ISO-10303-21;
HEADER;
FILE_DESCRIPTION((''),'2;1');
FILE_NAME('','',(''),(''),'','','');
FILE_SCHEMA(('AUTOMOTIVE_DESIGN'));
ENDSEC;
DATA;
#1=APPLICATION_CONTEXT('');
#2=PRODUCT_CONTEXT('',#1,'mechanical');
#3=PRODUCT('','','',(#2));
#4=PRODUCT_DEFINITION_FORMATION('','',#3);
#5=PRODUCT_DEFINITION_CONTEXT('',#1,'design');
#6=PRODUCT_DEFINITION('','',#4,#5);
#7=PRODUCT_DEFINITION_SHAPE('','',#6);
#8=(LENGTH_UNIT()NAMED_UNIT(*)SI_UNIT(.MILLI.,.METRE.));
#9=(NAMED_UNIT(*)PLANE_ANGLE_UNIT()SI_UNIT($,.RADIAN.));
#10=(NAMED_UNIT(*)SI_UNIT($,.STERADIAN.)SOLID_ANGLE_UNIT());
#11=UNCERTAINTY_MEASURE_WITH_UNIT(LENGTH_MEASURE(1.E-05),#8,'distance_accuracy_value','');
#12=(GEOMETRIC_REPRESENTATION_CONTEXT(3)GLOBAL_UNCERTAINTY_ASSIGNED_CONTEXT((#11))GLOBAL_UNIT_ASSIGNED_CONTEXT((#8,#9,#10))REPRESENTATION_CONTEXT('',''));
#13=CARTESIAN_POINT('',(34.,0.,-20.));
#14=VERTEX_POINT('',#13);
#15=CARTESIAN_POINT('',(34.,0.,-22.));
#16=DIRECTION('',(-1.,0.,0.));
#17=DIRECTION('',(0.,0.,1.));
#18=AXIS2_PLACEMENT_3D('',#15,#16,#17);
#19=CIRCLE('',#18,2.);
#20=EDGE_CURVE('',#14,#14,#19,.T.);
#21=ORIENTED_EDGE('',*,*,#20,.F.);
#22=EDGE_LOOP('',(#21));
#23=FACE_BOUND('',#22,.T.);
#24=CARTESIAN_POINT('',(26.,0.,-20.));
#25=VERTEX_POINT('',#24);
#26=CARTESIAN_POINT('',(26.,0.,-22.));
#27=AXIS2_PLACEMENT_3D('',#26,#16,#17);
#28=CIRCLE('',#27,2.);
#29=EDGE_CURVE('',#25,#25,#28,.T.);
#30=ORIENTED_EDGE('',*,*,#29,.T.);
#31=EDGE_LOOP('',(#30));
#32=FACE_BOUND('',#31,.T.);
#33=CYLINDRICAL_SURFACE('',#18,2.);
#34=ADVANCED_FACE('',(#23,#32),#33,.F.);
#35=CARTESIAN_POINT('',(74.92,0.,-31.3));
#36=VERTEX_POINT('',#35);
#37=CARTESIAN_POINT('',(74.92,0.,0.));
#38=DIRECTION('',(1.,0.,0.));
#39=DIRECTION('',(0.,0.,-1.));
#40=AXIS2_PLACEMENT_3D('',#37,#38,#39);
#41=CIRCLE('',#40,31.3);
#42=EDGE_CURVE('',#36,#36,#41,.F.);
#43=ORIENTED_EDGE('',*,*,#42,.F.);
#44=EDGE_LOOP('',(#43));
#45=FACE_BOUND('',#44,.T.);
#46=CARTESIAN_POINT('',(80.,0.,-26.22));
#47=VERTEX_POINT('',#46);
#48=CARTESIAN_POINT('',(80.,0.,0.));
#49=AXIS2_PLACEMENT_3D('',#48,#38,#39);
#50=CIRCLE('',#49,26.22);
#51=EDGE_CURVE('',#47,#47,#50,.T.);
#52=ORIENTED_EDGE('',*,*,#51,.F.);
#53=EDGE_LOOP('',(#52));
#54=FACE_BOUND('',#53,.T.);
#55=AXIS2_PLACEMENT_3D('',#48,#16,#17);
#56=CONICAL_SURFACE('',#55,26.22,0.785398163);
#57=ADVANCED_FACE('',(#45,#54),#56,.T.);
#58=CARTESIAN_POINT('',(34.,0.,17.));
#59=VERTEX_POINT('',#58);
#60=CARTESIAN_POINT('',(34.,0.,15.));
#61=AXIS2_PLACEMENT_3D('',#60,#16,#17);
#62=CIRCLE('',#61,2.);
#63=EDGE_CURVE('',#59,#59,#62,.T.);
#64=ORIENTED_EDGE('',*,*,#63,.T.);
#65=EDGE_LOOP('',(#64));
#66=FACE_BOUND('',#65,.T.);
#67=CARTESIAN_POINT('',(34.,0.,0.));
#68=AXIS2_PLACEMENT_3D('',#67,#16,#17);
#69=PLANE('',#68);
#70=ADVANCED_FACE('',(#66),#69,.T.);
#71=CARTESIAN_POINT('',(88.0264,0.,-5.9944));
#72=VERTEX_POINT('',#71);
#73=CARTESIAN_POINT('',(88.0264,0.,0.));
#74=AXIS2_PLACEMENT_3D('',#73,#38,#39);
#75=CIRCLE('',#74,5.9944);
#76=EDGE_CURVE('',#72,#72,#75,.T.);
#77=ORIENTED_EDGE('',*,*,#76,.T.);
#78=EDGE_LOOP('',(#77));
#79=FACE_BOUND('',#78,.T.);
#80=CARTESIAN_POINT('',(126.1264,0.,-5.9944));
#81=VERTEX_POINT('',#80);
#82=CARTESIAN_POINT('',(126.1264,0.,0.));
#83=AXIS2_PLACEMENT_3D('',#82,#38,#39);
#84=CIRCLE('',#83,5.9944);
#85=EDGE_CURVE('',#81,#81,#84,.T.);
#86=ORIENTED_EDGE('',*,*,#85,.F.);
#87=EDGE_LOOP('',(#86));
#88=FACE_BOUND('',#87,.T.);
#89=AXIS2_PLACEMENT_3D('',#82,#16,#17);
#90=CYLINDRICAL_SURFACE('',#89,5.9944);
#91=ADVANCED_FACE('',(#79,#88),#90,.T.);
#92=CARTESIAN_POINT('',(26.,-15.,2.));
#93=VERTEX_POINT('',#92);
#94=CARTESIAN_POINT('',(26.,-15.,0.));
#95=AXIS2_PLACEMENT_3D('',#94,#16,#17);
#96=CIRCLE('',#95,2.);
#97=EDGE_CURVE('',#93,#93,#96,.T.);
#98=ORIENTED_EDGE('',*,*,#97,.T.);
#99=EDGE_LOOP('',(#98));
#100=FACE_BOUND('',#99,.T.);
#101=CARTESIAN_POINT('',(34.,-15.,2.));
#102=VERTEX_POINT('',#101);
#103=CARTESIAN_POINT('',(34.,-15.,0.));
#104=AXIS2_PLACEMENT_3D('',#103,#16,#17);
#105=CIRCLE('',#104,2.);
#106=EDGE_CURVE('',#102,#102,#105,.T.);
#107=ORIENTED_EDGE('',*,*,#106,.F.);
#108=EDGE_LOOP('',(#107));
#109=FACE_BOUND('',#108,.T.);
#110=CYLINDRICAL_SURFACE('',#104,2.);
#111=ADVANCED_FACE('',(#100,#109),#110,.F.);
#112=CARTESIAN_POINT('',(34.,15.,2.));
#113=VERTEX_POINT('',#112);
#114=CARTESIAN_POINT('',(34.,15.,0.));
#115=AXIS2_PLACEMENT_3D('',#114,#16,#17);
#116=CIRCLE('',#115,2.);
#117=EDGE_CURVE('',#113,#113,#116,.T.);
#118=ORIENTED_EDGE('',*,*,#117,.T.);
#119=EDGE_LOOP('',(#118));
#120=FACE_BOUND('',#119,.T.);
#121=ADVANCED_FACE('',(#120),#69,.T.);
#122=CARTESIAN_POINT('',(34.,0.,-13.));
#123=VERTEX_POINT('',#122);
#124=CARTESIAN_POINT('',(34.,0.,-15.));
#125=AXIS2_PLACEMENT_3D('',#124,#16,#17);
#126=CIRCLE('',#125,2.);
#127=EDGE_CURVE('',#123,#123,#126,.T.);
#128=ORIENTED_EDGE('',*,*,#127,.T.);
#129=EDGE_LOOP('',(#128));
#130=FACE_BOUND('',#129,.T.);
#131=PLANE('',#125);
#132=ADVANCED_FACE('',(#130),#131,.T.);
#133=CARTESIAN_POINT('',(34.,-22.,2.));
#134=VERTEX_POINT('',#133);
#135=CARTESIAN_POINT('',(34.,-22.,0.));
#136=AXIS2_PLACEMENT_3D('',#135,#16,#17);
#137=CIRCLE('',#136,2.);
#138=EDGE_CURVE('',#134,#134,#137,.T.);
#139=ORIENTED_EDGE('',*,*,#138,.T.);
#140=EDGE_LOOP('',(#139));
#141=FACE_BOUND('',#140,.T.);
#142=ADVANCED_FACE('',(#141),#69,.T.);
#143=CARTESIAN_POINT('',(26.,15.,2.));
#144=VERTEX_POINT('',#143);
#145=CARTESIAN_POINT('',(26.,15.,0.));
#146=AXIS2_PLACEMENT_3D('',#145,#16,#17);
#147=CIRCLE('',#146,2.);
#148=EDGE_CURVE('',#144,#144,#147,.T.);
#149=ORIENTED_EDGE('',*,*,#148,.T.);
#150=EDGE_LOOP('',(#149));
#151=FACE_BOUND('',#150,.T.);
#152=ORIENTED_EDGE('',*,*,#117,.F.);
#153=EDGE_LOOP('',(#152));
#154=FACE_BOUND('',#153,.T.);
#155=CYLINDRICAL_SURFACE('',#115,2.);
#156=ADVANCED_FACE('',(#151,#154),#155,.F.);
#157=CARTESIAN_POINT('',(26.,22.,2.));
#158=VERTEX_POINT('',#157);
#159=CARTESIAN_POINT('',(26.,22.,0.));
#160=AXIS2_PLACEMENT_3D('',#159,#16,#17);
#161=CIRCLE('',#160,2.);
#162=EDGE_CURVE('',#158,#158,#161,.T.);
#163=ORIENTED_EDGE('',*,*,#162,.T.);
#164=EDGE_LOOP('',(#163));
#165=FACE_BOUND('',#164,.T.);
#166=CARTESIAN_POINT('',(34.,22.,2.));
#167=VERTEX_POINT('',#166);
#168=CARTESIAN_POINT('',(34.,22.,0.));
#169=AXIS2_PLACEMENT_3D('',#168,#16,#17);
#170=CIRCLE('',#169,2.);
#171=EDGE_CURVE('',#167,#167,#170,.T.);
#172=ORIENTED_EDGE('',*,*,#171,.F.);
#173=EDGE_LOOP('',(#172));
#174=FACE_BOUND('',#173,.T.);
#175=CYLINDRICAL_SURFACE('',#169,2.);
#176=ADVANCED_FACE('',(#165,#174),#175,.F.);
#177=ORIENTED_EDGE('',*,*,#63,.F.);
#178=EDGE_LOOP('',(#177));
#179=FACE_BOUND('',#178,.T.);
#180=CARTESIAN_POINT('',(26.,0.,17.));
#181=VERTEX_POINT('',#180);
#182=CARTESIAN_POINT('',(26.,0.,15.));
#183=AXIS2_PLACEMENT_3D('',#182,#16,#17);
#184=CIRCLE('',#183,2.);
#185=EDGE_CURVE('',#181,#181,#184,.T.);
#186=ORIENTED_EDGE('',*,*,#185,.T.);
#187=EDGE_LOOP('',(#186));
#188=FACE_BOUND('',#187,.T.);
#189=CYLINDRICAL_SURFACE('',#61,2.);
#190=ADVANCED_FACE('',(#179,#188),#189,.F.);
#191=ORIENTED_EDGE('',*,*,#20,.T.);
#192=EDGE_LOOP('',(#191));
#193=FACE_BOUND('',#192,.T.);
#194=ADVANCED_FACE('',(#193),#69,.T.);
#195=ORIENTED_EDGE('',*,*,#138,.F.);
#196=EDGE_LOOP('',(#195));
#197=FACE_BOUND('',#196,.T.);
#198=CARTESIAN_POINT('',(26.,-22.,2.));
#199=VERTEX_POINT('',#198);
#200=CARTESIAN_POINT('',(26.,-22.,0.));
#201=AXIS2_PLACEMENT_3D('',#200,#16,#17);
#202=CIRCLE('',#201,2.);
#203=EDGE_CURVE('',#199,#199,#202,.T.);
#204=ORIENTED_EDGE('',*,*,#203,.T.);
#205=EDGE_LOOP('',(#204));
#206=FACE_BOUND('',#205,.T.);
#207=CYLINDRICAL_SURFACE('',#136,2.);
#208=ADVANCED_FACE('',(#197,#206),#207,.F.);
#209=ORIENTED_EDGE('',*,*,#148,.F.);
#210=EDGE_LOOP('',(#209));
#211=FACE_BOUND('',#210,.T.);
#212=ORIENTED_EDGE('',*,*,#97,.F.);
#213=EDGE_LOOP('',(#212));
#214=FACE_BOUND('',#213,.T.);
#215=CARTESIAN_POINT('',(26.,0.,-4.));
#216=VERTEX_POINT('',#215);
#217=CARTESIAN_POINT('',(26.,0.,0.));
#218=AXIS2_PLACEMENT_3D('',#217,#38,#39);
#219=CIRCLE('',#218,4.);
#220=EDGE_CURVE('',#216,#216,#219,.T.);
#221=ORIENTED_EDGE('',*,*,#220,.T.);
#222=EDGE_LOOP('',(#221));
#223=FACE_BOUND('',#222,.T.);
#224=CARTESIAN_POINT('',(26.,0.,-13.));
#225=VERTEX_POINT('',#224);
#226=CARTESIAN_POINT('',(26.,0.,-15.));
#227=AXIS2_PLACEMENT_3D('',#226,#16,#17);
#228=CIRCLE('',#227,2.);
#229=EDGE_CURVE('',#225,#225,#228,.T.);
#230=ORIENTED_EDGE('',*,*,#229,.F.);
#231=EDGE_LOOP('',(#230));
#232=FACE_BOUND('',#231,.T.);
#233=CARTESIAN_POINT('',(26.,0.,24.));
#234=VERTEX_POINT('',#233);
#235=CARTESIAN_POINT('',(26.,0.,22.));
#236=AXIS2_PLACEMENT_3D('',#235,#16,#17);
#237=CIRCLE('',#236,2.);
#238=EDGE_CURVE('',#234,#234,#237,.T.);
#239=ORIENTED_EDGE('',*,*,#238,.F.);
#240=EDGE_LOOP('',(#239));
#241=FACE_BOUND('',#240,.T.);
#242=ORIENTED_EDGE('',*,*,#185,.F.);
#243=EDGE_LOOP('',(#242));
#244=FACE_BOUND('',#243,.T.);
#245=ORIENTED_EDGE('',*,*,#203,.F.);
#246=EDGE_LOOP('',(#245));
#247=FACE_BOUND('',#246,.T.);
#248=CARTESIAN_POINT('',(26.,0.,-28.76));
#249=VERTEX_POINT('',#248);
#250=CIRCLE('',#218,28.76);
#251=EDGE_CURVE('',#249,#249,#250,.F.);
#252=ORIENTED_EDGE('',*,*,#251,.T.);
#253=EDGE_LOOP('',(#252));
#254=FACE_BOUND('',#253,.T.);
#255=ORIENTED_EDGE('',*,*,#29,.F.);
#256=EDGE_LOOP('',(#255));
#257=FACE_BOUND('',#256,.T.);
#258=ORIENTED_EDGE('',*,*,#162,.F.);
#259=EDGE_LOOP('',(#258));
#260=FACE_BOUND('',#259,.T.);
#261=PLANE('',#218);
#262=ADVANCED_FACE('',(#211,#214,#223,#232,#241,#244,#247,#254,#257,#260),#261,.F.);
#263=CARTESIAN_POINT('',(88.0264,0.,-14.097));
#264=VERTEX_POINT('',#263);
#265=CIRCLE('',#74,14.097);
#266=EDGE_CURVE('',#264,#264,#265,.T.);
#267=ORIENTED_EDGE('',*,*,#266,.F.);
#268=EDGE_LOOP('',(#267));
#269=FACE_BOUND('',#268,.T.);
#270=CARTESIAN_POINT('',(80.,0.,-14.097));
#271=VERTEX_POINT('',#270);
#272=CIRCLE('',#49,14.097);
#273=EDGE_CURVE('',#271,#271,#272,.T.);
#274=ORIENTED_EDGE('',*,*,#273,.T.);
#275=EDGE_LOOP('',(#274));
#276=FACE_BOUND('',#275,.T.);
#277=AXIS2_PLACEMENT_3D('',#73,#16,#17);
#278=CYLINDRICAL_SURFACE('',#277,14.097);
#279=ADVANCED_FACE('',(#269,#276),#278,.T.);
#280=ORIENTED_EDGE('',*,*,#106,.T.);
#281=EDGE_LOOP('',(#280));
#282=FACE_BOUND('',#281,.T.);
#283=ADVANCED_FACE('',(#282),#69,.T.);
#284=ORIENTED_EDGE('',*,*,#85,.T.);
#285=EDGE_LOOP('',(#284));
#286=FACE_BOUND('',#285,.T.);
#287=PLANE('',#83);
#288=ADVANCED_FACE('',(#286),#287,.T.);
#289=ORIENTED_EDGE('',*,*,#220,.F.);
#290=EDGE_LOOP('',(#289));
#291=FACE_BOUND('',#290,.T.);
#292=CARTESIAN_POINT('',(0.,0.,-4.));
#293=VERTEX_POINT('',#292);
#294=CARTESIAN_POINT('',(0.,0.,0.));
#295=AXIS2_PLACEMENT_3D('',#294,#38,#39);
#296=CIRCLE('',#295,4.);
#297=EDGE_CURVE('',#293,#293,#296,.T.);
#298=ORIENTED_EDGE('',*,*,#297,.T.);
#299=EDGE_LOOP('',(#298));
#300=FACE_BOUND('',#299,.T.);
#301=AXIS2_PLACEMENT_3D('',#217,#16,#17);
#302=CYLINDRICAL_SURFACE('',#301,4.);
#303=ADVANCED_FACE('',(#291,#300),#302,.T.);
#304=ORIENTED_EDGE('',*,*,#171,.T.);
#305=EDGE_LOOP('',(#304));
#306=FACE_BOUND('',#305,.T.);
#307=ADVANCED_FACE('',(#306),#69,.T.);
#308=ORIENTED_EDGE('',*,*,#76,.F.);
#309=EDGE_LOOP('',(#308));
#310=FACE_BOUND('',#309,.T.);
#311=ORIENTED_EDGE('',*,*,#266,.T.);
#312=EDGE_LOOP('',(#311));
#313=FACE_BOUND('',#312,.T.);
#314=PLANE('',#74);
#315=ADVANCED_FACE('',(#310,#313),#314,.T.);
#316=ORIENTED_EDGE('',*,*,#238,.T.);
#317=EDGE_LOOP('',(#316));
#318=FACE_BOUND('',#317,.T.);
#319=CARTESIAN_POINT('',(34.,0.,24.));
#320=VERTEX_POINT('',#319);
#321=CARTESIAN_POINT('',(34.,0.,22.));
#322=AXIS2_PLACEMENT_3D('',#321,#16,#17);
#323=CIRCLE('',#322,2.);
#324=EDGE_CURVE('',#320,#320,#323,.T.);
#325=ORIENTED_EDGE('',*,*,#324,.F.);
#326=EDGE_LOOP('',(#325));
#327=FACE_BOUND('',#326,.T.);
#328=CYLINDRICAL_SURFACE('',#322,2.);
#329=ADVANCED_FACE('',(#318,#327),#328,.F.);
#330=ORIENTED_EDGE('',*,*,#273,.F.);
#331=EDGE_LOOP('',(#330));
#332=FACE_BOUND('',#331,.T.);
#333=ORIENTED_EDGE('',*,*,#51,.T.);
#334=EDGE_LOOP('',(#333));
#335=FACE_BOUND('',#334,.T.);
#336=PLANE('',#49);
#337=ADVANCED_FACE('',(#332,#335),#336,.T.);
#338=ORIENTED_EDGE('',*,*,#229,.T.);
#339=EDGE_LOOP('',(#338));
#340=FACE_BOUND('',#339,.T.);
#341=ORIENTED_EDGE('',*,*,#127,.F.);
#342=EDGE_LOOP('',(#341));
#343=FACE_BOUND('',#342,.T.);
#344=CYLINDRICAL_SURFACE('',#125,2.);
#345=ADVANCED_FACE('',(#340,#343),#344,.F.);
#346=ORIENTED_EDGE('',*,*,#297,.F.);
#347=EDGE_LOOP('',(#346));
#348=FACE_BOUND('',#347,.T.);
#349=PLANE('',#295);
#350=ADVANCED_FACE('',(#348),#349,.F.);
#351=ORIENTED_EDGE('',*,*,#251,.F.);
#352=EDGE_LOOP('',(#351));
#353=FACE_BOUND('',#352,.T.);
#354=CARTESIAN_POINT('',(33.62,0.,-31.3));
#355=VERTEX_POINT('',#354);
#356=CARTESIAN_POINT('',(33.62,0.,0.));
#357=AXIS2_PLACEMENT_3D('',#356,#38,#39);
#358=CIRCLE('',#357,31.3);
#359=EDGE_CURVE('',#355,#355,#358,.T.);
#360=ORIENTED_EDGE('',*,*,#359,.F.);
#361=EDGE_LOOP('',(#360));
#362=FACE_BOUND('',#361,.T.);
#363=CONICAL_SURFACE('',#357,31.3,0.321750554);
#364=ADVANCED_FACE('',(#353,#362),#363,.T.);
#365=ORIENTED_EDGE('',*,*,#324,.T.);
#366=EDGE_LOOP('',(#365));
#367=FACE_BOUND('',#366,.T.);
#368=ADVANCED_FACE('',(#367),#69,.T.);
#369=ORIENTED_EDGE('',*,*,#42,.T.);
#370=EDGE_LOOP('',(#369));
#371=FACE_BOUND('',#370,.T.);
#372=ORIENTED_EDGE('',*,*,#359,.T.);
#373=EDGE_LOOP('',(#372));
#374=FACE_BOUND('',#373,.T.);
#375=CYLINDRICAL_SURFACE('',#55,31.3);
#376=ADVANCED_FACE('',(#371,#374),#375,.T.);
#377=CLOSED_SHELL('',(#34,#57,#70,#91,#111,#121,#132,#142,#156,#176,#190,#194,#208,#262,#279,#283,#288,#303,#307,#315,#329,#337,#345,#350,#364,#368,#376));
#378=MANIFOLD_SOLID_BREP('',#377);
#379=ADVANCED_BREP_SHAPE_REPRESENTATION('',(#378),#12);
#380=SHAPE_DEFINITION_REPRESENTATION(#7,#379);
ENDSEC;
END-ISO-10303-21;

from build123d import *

# Parameters (mm, degrees)
SKETCH2_R           = 4
BOSS_EXTRUDE1_DEPTH = 26
SKETCH3_R           = 31.3
BOSS_EXTRUDE2_DEPTH = 54
SKETCH4_R           = 2
CUT_EXTRUDE1_DEPTH  = 8
CHAMFER1_SIZE       = 2.54
CHAMFER1_SIZE2      = 7.62
CHAMFER2_SIZE       = 5.08
SKETCH5_R           = 14.097
BOSS_EXTRUDE3_DEPTH = 8.0264
SKETCH6_R           = 5.9944
BOSS_EXTRUDE4_DEPTH = 38.1


with BuildPart() as part:
    # Sketch2 → Boss-Extrude1 (new body)
    with BuildSketch(Plane(origin=(0, 0, 0), x_dir=(0, 0, -1), z_dir=(1, 0, 0))):
        Circle(SKETCH2_R)
    extrude(amount=BOSS_EXTRUDE1_DEPTH)

    # Sketch3 → Boss-Extrude2 (add)
    with BuildSketch(Plane(origin=(26, 0, 0), x_dir=(0, 0, -1), z_dir=(1, 0, 0))):
        Circle(SKETCH3_R)
    extrude(amount=BOSS_EXTRUDE2_DEPTH)

    # Sketch4 → Cut-Extrude1 (cut)
    with BuildSketch(Plane.ZY.offset(-26)):
        with Locations((15, 0)):
            Circle(SKETCH4_R)
        with Locations((0, -22)):
            Circle(SKETCH4_R)
        with Locations((0, -15)):
            Circle(SKETCH4_R)
        with Locations((-15, 0)):
            Circle(SKETCH4_R)
        with Locations((0, 15)):
            Circle(SKETCH4_R)
        with Locations((0, 22)):
            Circle(SKETCH4_R)
        with Locations((22, 0)):
            Circle(SKETCH4_R)
        with Locations((-22, 0)):
            Circle(SKETCH4_R)
    extrude(amount=-CUT_EXTRUDE1_DEPTH, mode=Mode.SUBTRACT)

    # Chamfer1
    chamfer1_edges = [part.edges().sort_by_distance(p)[0] for p in [
        (26, 0, 31.3),
    ]]
    chamfer1_side = [part.faces().sort_by_distance(p)[0] for p in [
        (26, 0, 30.41470231),
    ]]
    chamfer(chamfer1_edges, length=CHAMFER1_SIZE, length2=CHAMFER1_SIZE2, reference=chamfer1_side[0])

    # Chamfer2
    chamfer2_edges = [part.edges().sort_by_distance(p)[0] for p in [
        (80, 0, 31.3),
    ]]
    chamfer(chamfer2_edges, length=CHAMFER2_SIZE)

    # Sketch5 → Boss-Extrude3 (add)
    with BuildSketch(Plane(origin=(80, 0, 0), x_dir=(0, 0, -1), z_dir=(1, 0, 0))):
        Circle(SKETCH5_R)
    extrude(amount=BOSS_EXTRUDE3_DEPTH)

    # Sketch6 → Boss-Extrude4 (add)
    with BuildSketch(Plane(origin=(88.0264, 0, 0), x_dir=(0, 0, -1), z_dir=(1, 0, 0))):
        Circle(SKETCH6_R)
    extrude(amount=BOSS_EXTRUDE4_DEPTH)


solid = part.part
